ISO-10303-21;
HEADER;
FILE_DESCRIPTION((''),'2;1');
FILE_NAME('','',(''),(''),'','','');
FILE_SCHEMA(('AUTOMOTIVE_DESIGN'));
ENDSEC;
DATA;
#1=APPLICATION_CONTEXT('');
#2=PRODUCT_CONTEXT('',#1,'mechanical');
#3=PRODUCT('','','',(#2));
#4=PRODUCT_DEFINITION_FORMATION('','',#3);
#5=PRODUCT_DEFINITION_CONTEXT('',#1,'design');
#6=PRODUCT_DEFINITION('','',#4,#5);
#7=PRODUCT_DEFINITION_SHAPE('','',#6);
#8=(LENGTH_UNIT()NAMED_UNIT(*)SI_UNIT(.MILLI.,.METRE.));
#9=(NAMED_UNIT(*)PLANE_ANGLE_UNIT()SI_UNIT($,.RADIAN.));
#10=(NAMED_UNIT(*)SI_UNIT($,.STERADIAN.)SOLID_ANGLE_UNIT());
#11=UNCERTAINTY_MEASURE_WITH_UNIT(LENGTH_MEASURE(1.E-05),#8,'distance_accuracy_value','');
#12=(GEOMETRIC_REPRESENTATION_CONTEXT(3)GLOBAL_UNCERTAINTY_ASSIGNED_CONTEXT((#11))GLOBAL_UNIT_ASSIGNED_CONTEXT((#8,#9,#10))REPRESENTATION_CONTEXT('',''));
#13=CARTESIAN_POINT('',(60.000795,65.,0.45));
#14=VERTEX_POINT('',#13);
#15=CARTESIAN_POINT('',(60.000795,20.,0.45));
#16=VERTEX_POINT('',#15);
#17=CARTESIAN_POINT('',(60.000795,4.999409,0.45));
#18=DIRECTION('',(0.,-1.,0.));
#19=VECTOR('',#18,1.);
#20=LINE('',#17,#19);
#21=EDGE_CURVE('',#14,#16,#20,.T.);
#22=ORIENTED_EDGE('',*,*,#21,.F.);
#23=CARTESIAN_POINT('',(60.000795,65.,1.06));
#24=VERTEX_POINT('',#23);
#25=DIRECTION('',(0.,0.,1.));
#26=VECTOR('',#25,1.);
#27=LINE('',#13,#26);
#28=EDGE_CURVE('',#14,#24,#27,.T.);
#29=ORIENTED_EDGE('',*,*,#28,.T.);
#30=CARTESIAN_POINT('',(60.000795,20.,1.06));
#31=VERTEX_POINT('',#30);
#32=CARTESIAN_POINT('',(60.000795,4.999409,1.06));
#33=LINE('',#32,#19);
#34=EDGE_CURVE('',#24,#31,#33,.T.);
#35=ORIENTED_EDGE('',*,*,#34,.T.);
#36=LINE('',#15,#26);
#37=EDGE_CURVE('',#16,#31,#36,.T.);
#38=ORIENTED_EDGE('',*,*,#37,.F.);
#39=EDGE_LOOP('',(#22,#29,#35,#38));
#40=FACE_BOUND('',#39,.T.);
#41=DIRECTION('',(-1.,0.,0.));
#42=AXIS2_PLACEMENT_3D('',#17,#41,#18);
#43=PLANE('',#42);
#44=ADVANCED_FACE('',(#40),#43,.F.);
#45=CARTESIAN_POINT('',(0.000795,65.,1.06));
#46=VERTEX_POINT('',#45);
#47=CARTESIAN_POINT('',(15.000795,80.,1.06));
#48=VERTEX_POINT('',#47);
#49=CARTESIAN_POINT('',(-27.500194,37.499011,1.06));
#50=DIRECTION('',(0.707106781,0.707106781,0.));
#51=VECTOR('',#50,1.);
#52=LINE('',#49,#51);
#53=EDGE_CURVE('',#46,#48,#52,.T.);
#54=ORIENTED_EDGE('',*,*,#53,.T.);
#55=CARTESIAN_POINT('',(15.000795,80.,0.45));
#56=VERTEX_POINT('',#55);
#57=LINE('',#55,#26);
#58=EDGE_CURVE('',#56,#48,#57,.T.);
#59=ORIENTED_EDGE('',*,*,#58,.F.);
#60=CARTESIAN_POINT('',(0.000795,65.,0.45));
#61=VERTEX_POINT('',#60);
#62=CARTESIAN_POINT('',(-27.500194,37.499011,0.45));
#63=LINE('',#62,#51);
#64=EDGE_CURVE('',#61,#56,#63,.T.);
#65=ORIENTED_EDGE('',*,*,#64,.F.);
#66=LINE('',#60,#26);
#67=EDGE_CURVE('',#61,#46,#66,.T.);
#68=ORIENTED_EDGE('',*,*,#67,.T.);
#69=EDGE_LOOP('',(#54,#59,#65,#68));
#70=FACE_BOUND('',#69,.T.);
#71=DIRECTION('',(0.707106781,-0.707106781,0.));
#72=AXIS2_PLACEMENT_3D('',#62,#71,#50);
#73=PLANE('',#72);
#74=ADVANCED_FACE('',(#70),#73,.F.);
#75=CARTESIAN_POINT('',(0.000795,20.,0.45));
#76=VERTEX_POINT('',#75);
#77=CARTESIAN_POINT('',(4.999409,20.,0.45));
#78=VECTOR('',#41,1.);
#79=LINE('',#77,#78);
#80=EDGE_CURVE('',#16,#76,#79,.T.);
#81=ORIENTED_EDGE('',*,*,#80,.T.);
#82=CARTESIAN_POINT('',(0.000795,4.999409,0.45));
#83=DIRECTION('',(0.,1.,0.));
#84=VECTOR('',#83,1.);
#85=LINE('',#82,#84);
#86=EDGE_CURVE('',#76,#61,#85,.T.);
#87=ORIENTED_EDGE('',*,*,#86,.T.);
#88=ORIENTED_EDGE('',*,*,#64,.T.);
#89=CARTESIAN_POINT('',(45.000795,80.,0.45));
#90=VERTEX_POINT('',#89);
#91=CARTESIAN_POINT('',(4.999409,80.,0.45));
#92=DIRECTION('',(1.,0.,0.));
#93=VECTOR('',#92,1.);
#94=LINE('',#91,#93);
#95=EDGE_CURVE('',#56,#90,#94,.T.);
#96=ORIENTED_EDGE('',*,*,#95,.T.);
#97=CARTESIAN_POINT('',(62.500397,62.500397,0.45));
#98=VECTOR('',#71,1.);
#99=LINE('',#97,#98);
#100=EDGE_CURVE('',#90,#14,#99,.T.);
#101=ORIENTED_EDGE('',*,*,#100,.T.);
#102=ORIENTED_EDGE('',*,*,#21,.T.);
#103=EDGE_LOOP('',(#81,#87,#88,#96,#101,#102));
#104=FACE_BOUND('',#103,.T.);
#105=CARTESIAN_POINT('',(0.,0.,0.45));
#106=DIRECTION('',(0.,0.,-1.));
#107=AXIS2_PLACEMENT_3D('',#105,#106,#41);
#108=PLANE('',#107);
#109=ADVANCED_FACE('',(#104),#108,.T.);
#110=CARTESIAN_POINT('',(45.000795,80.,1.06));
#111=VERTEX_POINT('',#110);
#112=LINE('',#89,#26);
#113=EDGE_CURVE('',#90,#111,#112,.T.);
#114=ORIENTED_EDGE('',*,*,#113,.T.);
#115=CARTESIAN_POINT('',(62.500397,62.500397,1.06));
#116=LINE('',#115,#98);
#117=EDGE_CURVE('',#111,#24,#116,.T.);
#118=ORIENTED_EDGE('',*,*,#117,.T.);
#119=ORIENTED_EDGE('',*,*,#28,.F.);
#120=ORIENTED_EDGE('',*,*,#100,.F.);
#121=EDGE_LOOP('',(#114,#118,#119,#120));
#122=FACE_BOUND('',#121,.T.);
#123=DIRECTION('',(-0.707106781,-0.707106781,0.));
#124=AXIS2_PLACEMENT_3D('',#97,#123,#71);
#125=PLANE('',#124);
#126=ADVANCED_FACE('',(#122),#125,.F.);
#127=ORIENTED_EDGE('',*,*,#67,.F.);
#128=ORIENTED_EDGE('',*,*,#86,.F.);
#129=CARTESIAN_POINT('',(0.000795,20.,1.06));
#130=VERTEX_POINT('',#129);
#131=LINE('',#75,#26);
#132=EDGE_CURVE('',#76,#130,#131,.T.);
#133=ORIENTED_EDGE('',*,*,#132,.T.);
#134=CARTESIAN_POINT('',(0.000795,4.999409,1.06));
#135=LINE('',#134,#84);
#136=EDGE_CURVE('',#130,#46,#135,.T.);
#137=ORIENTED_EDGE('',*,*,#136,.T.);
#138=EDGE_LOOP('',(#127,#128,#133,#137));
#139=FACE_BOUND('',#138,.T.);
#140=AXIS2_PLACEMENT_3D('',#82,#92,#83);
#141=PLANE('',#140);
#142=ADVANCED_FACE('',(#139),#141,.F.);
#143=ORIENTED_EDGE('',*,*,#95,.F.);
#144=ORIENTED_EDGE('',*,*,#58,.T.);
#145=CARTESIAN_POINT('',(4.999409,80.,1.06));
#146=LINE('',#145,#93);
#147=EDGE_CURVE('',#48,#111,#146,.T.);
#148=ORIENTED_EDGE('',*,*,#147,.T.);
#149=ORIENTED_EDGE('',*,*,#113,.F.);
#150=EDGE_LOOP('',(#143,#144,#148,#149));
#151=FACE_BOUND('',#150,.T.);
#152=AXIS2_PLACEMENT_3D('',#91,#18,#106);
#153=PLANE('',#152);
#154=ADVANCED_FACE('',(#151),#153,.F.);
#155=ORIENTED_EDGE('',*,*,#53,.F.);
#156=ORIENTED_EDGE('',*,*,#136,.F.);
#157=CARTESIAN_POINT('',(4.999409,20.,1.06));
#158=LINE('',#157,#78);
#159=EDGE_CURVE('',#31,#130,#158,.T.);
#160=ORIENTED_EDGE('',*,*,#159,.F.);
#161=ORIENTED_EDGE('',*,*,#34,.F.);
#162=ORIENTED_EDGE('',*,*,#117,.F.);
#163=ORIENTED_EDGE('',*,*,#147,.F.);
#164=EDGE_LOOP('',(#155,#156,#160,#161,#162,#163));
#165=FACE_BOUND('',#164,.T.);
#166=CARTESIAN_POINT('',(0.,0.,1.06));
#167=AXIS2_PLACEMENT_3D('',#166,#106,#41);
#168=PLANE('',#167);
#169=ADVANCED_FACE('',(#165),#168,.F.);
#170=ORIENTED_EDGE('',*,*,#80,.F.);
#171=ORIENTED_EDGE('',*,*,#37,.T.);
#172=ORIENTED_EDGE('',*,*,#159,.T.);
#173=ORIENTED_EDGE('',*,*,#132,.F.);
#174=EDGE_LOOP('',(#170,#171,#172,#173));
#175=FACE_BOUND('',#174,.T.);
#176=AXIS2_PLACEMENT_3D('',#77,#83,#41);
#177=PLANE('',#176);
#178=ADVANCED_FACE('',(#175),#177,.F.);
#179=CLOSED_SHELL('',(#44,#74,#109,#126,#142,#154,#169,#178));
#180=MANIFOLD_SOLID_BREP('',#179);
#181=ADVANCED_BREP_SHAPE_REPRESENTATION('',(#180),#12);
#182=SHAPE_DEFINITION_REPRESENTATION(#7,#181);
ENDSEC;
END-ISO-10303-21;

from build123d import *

# Parameters (mm, degrees)
EXTRUDE_GLASS_DEPTH = 0.61


with BuildPart() as part:
    # glass → extrude_glass (new body)
    with BuildSketch(Plane(origin=(0, 0, 1.06), x_dir=(1, 0, 0), z_dir=(0, 0, -1))):
        Polygon((45.00079454, -80), (15.00079454, -80), (0.00079454, -65), (0.00079454, -20), (60.00079454, -20), (60.00079454, -65), align=None)
    extrude(amount=EXTRUDE_GLASS_DEPTH)


solid = part.part
